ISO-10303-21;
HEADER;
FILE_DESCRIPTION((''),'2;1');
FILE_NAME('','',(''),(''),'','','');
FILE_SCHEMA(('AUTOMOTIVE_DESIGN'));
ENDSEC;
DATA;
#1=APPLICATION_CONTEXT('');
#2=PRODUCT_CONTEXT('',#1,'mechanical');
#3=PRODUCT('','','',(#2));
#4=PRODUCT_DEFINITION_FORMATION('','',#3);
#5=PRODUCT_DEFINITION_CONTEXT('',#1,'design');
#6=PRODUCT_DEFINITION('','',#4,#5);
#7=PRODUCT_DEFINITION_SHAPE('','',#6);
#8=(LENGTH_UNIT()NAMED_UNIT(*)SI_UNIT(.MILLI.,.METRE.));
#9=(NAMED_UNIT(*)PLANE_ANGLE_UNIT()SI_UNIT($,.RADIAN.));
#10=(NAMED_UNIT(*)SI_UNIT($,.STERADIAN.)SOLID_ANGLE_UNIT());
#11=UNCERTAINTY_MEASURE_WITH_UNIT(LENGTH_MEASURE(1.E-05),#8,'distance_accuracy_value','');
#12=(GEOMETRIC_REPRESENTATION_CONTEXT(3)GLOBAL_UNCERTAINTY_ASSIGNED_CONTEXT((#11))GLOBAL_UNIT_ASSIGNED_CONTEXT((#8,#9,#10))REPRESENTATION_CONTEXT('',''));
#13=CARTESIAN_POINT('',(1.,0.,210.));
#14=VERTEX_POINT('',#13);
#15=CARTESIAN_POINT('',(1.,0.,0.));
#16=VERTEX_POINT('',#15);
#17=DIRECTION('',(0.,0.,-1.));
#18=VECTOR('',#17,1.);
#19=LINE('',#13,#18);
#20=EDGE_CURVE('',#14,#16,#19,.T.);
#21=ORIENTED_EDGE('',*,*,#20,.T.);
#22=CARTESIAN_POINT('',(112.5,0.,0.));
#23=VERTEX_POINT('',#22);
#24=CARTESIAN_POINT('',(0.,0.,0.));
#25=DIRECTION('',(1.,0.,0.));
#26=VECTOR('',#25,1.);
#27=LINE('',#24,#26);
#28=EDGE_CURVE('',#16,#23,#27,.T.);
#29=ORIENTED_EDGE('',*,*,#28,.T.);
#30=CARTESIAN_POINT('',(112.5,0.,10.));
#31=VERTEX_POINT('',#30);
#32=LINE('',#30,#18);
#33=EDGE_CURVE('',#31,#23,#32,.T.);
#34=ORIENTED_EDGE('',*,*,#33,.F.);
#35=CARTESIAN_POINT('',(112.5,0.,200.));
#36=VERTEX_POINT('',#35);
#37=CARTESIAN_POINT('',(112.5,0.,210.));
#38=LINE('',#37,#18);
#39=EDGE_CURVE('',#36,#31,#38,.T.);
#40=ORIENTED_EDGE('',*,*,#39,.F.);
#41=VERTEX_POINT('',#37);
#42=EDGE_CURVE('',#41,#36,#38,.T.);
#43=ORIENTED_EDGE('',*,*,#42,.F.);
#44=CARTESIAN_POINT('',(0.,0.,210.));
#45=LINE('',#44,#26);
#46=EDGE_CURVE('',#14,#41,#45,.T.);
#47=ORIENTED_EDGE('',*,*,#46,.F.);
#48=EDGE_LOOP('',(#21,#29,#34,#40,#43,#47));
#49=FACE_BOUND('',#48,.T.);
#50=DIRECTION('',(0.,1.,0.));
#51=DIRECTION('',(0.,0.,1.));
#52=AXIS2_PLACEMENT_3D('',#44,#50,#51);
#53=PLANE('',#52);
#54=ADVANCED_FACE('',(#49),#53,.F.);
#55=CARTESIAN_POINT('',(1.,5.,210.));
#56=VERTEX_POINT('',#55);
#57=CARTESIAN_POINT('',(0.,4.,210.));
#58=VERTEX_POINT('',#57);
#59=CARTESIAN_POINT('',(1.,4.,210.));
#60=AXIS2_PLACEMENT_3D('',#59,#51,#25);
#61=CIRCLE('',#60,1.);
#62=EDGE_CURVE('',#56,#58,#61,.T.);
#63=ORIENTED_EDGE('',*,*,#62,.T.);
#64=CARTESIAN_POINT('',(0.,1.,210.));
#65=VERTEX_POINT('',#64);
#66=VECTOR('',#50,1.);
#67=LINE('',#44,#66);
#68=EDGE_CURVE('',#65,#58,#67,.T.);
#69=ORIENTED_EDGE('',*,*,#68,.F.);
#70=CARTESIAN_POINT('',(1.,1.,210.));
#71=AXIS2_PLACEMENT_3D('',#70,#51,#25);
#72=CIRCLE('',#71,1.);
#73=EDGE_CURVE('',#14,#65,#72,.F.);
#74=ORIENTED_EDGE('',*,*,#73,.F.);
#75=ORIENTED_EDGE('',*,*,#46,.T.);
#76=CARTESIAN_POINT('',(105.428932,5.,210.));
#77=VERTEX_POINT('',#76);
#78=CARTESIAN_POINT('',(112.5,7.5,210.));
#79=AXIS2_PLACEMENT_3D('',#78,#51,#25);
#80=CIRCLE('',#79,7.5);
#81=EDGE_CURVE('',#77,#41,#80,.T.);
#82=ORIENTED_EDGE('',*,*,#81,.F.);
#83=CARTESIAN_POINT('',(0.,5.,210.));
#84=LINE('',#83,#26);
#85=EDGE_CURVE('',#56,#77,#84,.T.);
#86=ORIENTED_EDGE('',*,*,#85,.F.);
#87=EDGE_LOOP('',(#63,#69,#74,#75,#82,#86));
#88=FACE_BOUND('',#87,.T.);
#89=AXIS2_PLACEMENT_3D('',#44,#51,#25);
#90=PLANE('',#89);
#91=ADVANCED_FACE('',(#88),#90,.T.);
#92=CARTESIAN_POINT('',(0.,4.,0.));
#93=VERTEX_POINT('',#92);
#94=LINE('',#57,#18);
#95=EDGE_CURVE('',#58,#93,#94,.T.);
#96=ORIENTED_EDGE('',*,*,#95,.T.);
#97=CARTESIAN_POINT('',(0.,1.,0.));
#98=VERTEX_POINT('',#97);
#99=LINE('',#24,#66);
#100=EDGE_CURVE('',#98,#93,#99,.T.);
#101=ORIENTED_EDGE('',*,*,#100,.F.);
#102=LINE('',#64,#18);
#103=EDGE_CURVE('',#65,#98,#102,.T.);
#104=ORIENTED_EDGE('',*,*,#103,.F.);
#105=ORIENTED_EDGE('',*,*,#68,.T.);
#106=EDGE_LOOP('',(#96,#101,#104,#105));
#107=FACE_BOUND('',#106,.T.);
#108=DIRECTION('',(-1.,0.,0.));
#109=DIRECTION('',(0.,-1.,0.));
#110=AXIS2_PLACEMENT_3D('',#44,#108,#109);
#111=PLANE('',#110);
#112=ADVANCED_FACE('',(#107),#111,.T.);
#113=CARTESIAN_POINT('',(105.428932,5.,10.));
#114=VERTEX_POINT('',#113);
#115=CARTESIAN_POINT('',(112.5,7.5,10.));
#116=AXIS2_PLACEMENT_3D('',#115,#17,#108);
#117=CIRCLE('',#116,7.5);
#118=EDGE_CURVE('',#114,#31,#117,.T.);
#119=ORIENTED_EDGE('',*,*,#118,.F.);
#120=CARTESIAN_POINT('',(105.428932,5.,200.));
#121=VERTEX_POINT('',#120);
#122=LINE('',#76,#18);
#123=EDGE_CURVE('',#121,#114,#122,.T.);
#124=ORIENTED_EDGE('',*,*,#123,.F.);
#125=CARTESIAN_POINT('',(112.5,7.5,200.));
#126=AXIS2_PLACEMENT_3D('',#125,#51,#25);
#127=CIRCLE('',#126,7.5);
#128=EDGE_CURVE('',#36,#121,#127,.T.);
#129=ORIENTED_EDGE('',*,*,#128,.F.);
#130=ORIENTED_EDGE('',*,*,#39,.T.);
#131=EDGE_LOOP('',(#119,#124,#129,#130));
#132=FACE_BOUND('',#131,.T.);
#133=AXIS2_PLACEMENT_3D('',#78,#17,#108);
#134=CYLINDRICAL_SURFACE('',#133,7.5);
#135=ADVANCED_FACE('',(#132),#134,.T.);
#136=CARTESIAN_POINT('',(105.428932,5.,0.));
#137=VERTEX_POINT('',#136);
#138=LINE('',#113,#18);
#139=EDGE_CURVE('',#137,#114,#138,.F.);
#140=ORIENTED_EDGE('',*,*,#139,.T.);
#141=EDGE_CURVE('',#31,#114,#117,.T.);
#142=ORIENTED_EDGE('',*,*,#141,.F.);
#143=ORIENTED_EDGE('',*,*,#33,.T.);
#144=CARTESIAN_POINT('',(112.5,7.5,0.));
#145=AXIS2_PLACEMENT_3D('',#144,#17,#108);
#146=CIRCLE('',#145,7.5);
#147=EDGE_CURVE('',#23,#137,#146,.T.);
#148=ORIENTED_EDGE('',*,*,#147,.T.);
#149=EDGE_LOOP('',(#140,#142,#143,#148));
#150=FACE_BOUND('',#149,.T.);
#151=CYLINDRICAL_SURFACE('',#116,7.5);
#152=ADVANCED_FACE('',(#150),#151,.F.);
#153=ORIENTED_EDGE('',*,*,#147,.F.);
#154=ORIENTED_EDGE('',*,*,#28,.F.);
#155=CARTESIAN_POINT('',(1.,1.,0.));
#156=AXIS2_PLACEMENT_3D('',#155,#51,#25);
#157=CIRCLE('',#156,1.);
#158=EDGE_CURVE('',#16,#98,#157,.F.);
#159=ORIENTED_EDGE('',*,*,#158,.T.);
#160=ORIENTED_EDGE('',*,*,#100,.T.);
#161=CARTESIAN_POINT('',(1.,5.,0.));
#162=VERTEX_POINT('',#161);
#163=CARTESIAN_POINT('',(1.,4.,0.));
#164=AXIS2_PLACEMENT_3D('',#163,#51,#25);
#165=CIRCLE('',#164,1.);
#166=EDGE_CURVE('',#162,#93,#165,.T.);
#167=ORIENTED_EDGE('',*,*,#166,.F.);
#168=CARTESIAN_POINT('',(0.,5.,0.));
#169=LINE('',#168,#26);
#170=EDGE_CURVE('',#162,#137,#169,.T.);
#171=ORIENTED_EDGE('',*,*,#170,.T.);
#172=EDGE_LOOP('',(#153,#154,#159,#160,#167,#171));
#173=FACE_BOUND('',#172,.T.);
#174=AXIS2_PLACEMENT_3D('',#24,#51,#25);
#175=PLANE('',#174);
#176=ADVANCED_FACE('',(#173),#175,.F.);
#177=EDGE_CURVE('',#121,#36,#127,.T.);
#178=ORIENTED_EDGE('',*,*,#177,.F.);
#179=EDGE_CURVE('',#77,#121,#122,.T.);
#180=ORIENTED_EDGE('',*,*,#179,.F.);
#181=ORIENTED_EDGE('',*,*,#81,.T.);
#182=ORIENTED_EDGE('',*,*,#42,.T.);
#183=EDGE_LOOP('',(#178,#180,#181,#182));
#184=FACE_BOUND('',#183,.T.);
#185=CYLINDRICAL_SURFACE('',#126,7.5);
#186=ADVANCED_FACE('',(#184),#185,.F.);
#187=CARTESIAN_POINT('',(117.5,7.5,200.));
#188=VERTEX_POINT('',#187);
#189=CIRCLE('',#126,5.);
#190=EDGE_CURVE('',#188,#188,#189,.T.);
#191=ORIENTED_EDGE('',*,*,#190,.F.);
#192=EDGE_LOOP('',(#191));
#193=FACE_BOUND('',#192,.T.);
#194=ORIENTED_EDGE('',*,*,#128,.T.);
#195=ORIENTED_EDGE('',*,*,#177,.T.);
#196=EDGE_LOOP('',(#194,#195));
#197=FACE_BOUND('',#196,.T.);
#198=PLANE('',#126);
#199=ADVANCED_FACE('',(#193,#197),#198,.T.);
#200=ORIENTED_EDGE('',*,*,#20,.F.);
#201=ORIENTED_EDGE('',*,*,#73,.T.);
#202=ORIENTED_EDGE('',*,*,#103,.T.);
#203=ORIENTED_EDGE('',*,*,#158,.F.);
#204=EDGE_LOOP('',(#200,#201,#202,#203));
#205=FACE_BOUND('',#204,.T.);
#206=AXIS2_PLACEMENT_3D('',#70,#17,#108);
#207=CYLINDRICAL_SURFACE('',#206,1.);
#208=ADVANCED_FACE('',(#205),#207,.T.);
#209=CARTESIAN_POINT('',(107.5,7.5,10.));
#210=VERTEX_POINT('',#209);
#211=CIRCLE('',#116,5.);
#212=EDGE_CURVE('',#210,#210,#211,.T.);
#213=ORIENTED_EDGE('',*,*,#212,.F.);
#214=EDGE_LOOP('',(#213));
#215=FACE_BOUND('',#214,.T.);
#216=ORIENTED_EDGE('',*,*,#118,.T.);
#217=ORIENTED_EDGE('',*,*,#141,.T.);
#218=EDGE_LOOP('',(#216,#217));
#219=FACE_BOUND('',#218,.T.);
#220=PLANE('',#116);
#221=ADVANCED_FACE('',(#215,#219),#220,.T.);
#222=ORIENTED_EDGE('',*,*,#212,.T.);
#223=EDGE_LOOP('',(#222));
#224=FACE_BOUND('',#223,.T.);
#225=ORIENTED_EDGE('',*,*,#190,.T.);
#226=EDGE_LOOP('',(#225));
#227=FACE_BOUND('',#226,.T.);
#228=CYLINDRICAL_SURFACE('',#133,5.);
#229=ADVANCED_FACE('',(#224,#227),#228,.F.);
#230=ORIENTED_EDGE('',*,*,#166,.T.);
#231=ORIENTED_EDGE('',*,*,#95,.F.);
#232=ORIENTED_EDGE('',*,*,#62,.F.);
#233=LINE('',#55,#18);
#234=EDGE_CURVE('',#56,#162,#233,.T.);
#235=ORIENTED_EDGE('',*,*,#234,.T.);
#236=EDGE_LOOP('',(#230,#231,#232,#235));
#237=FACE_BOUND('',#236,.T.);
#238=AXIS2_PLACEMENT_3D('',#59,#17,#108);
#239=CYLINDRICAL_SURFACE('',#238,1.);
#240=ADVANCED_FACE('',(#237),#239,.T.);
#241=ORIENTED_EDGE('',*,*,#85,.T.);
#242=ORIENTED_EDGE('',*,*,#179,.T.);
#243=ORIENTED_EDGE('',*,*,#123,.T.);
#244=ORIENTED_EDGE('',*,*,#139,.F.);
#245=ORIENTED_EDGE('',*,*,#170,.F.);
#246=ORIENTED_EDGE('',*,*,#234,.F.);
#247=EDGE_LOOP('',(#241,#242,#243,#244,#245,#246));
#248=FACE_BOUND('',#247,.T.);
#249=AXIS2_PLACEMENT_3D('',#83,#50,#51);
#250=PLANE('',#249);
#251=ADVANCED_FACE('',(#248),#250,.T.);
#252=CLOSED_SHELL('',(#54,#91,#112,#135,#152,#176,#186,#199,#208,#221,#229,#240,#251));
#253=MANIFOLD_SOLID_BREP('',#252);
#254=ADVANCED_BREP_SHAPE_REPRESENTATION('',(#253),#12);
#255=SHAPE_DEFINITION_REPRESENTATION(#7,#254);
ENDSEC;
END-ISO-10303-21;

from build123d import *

# Parameters (mm, degrees)
SKETCH_1_R          = 5
EXTRUDE_1_DEPTH     = 210
SKETCH_2_R          = 7.5
CUT_EXTRUDE_1_DEPTH = 10
SKETCH_3_R          = 7.5
CUT_EXTRUDE_2_DEPTH = 10


with BuildPart() as part:
    # 草图1 → 凸台-拉伸1 (new body)
    with BuildSketch(Plane.XY):
        with BuildLine():
            Line((105.428932188, 5), (100.074072144, 5))
            Line((100.074072144, 5), (1, 5))
            ThreePointArc((1, 5), (0.292893219, 4.707106781), (0, 4))
            Line((0, 4), (0, 1))
            ThreePointArc((0, 1), (0.292893219, 0.292893219), (1, 0))
            Line((1, 0), (112.5, 0))
            ThreePointArc((112.5, 0), (116.830127019, 13.623724357), (105.428932188, 5))
        make_face()
        with Locations((112.5, 7.5)):
            Circle(SKETCH_1_R, mode=Mode.SUBTRACT)
    extrude(amount=EXTRUDE_1_DEPTH)

    # 草图2 → 切除-拉伸1 (cut)
    with BuildSketch(Plane.XY.offset(210)):
        with Locations((112.5, 7.5)):
            Circle(SKETCH_2_R)
    extrude(amount=-CUT_EXTRUDE_1_DEPTH, mode=Mode.SUBTRACT)

    # 草图3 → 切除-拉伸2 (cut)
    with BuildSketch(Plane(origin=(0, 0, 0), x_dir=(-1, 0, 0), z_dir=(0, 0, -1))):
        with Locations((-112.5, 7.5)):
            Circle(SKETCH_3_R)
    extrude(amount=-CUT_EXTRUDE_2_DEPTH, mode=Mode.SUBTRACT)


solid = part.part
